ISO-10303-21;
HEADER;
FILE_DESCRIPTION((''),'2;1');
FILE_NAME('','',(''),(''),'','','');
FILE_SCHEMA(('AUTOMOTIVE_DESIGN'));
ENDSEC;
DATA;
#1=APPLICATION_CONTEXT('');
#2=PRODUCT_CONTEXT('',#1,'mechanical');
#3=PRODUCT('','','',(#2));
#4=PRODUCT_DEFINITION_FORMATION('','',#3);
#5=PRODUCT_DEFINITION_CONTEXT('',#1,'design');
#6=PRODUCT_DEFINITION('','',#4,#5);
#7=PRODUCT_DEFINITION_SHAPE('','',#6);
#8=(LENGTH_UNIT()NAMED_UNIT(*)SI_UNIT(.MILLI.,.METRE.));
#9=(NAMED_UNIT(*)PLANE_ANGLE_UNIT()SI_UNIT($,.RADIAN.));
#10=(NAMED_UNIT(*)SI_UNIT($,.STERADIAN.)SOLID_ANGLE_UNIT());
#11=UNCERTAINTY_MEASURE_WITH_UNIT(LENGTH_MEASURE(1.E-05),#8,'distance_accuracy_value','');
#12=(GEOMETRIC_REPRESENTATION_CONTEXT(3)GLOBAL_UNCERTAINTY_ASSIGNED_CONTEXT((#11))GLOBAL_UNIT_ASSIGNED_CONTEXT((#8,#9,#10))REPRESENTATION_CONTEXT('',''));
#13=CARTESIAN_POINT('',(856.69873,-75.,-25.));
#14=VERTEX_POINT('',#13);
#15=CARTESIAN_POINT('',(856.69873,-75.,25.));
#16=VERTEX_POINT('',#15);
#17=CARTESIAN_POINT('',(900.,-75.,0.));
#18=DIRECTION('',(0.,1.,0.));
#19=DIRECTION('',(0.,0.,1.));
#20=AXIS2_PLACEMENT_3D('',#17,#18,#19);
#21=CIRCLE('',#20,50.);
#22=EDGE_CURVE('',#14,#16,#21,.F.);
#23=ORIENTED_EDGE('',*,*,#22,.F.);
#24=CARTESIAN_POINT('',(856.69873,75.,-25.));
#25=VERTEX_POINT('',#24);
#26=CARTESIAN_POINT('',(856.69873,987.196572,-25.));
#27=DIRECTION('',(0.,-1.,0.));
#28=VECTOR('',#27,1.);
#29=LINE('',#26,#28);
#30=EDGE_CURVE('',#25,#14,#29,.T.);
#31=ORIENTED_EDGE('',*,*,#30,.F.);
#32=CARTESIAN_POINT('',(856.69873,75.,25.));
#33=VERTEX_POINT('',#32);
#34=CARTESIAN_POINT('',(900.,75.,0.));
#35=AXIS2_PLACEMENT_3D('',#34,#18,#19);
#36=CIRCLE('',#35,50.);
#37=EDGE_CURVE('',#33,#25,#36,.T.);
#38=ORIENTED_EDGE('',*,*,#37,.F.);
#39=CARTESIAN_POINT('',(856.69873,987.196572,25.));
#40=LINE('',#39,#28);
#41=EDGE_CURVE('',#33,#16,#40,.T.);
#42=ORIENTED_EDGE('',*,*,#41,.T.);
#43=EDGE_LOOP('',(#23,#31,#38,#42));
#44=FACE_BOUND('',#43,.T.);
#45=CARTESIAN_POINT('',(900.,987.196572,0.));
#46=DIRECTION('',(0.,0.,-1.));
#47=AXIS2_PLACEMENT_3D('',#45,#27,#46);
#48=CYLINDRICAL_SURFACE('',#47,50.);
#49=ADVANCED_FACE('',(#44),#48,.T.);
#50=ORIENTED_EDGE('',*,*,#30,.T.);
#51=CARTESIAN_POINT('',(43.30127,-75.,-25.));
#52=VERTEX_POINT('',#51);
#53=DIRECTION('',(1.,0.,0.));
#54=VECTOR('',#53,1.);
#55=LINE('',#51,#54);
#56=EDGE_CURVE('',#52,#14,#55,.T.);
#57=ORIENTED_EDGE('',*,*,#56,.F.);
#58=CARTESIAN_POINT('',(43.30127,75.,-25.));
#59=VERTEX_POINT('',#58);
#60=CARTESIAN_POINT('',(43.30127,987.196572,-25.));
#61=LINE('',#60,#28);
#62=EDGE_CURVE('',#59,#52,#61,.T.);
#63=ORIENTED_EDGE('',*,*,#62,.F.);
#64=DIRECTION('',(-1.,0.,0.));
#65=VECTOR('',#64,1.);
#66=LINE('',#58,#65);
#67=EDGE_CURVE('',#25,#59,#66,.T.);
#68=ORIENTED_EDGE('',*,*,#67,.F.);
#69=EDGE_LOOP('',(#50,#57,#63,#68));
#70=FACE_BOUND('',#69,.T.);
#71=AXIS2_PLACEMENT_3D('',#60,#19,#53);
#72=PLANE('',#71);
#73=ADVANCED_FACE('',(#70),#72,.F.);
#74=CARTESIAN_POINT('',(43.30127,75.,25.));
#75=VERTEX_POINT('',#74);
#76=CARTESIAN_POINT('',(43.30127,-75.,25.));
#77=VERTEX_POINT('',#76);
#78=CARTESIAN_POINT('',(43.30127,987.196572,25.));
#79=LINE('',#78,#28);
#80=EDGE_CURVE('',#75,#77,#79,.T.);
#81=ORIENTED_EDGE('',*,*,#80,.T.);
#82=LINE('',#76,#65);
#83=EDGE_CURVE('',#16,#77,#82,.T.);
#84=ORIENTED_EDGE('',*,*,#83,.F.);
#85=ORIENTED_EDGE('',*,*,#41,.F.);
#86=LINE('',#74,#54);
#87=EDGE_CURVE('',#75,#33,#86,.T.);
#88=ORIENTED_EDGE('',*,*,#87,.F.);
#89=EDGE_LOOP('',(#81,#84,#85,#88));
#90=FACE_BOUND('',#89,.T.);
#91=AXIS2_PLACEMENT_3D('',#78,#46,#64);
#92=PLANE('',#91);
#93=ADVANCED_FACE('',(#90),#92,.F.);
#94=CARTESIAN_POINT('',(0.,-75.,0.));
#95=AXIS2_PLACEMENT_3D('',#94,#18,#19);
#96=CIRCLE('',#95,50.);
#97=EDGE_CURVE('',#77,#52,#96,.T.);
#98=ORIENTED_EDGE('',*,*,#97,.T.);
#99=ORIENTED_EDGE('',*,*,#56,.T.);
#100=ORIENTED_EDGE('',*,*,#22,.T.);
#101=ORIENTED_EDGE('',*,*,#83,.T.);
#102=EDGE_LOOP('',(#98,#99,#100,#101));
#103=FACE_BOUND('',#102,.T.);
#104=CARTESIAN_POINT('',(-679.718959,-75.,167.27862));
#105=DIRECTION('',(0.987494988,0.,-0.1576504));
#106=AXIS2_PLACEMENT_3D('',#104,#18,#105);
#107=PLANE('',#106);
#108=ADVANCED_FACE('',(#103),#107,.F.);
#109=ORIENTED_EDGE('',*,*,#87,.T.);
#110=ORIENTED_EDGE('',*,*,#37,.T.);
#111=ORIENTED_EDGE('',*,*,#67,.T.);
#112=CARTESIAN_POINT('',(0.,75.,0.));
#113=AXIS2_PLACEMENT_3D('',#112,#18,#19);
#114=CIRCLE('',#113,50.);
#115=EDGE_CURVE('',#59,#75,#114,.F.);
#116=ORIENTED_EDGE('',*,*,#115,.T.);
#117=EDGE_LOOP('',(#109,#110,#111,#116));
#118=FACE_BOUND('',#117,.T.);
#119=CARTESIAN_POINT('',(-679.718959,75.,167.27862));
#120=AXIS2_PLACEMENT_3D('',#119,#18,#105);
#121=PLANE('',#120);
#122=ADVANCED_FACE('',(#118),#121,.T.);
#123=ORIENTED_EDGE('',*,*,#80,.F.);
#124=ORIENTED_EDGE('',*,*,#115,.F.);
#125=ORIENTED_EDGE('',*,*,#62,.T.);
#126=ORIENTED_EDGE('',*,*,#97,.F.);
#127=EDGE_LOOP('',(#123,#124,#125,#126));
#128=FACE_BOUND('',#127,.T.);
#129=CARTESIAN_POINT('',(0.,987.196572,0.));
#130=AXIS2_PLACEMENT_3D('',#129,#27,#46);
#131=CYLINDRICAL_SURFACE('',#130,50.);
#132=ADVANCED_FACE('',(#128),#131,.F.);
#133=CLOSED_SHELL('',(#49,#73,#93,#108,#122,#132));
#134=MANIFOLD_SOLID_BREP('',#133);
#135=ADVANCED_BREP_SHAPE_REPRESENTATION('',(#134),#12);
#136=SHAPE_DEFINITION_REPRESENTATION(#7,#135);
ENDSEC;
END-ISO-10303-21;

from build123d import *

# Parameters (mm, degrees)
BOSS_EXTRUDE1_DEPTH      = 75
BOSS_EXTRUDE1_DEPTH_BACK = 75


with BuildPart() as part:
    # Sketch1 → Boss-Extrude1 (new, two sides: drawn at the far end of the back side and taken through both)
    with BuildSketch(Plane(origin=(0, 0, 0), x_dir=(1, 0, 0), z_dir=(0, 1, 0)).offset(-BOSS_EXTRUDE1_DEPTH_BACK)):
        with BuildLine():
            Line((43.301270189, -25), (856.698729811, -25))
            ThreePointArc((856.698729811, -25), (950, 0), (856.698729811, 25))
            Line((856.698729811, 25), (43.301270189, 25))
            ThreePointArc((43.301270189, 25), (50, 0), (43.301270189, -25))
        make_face()
    extrude(amount=BOSS_EXTRUDE1_DEPTH + BOSS_EXTRUDE1_DEPTH_BACK)


solid = part.part
